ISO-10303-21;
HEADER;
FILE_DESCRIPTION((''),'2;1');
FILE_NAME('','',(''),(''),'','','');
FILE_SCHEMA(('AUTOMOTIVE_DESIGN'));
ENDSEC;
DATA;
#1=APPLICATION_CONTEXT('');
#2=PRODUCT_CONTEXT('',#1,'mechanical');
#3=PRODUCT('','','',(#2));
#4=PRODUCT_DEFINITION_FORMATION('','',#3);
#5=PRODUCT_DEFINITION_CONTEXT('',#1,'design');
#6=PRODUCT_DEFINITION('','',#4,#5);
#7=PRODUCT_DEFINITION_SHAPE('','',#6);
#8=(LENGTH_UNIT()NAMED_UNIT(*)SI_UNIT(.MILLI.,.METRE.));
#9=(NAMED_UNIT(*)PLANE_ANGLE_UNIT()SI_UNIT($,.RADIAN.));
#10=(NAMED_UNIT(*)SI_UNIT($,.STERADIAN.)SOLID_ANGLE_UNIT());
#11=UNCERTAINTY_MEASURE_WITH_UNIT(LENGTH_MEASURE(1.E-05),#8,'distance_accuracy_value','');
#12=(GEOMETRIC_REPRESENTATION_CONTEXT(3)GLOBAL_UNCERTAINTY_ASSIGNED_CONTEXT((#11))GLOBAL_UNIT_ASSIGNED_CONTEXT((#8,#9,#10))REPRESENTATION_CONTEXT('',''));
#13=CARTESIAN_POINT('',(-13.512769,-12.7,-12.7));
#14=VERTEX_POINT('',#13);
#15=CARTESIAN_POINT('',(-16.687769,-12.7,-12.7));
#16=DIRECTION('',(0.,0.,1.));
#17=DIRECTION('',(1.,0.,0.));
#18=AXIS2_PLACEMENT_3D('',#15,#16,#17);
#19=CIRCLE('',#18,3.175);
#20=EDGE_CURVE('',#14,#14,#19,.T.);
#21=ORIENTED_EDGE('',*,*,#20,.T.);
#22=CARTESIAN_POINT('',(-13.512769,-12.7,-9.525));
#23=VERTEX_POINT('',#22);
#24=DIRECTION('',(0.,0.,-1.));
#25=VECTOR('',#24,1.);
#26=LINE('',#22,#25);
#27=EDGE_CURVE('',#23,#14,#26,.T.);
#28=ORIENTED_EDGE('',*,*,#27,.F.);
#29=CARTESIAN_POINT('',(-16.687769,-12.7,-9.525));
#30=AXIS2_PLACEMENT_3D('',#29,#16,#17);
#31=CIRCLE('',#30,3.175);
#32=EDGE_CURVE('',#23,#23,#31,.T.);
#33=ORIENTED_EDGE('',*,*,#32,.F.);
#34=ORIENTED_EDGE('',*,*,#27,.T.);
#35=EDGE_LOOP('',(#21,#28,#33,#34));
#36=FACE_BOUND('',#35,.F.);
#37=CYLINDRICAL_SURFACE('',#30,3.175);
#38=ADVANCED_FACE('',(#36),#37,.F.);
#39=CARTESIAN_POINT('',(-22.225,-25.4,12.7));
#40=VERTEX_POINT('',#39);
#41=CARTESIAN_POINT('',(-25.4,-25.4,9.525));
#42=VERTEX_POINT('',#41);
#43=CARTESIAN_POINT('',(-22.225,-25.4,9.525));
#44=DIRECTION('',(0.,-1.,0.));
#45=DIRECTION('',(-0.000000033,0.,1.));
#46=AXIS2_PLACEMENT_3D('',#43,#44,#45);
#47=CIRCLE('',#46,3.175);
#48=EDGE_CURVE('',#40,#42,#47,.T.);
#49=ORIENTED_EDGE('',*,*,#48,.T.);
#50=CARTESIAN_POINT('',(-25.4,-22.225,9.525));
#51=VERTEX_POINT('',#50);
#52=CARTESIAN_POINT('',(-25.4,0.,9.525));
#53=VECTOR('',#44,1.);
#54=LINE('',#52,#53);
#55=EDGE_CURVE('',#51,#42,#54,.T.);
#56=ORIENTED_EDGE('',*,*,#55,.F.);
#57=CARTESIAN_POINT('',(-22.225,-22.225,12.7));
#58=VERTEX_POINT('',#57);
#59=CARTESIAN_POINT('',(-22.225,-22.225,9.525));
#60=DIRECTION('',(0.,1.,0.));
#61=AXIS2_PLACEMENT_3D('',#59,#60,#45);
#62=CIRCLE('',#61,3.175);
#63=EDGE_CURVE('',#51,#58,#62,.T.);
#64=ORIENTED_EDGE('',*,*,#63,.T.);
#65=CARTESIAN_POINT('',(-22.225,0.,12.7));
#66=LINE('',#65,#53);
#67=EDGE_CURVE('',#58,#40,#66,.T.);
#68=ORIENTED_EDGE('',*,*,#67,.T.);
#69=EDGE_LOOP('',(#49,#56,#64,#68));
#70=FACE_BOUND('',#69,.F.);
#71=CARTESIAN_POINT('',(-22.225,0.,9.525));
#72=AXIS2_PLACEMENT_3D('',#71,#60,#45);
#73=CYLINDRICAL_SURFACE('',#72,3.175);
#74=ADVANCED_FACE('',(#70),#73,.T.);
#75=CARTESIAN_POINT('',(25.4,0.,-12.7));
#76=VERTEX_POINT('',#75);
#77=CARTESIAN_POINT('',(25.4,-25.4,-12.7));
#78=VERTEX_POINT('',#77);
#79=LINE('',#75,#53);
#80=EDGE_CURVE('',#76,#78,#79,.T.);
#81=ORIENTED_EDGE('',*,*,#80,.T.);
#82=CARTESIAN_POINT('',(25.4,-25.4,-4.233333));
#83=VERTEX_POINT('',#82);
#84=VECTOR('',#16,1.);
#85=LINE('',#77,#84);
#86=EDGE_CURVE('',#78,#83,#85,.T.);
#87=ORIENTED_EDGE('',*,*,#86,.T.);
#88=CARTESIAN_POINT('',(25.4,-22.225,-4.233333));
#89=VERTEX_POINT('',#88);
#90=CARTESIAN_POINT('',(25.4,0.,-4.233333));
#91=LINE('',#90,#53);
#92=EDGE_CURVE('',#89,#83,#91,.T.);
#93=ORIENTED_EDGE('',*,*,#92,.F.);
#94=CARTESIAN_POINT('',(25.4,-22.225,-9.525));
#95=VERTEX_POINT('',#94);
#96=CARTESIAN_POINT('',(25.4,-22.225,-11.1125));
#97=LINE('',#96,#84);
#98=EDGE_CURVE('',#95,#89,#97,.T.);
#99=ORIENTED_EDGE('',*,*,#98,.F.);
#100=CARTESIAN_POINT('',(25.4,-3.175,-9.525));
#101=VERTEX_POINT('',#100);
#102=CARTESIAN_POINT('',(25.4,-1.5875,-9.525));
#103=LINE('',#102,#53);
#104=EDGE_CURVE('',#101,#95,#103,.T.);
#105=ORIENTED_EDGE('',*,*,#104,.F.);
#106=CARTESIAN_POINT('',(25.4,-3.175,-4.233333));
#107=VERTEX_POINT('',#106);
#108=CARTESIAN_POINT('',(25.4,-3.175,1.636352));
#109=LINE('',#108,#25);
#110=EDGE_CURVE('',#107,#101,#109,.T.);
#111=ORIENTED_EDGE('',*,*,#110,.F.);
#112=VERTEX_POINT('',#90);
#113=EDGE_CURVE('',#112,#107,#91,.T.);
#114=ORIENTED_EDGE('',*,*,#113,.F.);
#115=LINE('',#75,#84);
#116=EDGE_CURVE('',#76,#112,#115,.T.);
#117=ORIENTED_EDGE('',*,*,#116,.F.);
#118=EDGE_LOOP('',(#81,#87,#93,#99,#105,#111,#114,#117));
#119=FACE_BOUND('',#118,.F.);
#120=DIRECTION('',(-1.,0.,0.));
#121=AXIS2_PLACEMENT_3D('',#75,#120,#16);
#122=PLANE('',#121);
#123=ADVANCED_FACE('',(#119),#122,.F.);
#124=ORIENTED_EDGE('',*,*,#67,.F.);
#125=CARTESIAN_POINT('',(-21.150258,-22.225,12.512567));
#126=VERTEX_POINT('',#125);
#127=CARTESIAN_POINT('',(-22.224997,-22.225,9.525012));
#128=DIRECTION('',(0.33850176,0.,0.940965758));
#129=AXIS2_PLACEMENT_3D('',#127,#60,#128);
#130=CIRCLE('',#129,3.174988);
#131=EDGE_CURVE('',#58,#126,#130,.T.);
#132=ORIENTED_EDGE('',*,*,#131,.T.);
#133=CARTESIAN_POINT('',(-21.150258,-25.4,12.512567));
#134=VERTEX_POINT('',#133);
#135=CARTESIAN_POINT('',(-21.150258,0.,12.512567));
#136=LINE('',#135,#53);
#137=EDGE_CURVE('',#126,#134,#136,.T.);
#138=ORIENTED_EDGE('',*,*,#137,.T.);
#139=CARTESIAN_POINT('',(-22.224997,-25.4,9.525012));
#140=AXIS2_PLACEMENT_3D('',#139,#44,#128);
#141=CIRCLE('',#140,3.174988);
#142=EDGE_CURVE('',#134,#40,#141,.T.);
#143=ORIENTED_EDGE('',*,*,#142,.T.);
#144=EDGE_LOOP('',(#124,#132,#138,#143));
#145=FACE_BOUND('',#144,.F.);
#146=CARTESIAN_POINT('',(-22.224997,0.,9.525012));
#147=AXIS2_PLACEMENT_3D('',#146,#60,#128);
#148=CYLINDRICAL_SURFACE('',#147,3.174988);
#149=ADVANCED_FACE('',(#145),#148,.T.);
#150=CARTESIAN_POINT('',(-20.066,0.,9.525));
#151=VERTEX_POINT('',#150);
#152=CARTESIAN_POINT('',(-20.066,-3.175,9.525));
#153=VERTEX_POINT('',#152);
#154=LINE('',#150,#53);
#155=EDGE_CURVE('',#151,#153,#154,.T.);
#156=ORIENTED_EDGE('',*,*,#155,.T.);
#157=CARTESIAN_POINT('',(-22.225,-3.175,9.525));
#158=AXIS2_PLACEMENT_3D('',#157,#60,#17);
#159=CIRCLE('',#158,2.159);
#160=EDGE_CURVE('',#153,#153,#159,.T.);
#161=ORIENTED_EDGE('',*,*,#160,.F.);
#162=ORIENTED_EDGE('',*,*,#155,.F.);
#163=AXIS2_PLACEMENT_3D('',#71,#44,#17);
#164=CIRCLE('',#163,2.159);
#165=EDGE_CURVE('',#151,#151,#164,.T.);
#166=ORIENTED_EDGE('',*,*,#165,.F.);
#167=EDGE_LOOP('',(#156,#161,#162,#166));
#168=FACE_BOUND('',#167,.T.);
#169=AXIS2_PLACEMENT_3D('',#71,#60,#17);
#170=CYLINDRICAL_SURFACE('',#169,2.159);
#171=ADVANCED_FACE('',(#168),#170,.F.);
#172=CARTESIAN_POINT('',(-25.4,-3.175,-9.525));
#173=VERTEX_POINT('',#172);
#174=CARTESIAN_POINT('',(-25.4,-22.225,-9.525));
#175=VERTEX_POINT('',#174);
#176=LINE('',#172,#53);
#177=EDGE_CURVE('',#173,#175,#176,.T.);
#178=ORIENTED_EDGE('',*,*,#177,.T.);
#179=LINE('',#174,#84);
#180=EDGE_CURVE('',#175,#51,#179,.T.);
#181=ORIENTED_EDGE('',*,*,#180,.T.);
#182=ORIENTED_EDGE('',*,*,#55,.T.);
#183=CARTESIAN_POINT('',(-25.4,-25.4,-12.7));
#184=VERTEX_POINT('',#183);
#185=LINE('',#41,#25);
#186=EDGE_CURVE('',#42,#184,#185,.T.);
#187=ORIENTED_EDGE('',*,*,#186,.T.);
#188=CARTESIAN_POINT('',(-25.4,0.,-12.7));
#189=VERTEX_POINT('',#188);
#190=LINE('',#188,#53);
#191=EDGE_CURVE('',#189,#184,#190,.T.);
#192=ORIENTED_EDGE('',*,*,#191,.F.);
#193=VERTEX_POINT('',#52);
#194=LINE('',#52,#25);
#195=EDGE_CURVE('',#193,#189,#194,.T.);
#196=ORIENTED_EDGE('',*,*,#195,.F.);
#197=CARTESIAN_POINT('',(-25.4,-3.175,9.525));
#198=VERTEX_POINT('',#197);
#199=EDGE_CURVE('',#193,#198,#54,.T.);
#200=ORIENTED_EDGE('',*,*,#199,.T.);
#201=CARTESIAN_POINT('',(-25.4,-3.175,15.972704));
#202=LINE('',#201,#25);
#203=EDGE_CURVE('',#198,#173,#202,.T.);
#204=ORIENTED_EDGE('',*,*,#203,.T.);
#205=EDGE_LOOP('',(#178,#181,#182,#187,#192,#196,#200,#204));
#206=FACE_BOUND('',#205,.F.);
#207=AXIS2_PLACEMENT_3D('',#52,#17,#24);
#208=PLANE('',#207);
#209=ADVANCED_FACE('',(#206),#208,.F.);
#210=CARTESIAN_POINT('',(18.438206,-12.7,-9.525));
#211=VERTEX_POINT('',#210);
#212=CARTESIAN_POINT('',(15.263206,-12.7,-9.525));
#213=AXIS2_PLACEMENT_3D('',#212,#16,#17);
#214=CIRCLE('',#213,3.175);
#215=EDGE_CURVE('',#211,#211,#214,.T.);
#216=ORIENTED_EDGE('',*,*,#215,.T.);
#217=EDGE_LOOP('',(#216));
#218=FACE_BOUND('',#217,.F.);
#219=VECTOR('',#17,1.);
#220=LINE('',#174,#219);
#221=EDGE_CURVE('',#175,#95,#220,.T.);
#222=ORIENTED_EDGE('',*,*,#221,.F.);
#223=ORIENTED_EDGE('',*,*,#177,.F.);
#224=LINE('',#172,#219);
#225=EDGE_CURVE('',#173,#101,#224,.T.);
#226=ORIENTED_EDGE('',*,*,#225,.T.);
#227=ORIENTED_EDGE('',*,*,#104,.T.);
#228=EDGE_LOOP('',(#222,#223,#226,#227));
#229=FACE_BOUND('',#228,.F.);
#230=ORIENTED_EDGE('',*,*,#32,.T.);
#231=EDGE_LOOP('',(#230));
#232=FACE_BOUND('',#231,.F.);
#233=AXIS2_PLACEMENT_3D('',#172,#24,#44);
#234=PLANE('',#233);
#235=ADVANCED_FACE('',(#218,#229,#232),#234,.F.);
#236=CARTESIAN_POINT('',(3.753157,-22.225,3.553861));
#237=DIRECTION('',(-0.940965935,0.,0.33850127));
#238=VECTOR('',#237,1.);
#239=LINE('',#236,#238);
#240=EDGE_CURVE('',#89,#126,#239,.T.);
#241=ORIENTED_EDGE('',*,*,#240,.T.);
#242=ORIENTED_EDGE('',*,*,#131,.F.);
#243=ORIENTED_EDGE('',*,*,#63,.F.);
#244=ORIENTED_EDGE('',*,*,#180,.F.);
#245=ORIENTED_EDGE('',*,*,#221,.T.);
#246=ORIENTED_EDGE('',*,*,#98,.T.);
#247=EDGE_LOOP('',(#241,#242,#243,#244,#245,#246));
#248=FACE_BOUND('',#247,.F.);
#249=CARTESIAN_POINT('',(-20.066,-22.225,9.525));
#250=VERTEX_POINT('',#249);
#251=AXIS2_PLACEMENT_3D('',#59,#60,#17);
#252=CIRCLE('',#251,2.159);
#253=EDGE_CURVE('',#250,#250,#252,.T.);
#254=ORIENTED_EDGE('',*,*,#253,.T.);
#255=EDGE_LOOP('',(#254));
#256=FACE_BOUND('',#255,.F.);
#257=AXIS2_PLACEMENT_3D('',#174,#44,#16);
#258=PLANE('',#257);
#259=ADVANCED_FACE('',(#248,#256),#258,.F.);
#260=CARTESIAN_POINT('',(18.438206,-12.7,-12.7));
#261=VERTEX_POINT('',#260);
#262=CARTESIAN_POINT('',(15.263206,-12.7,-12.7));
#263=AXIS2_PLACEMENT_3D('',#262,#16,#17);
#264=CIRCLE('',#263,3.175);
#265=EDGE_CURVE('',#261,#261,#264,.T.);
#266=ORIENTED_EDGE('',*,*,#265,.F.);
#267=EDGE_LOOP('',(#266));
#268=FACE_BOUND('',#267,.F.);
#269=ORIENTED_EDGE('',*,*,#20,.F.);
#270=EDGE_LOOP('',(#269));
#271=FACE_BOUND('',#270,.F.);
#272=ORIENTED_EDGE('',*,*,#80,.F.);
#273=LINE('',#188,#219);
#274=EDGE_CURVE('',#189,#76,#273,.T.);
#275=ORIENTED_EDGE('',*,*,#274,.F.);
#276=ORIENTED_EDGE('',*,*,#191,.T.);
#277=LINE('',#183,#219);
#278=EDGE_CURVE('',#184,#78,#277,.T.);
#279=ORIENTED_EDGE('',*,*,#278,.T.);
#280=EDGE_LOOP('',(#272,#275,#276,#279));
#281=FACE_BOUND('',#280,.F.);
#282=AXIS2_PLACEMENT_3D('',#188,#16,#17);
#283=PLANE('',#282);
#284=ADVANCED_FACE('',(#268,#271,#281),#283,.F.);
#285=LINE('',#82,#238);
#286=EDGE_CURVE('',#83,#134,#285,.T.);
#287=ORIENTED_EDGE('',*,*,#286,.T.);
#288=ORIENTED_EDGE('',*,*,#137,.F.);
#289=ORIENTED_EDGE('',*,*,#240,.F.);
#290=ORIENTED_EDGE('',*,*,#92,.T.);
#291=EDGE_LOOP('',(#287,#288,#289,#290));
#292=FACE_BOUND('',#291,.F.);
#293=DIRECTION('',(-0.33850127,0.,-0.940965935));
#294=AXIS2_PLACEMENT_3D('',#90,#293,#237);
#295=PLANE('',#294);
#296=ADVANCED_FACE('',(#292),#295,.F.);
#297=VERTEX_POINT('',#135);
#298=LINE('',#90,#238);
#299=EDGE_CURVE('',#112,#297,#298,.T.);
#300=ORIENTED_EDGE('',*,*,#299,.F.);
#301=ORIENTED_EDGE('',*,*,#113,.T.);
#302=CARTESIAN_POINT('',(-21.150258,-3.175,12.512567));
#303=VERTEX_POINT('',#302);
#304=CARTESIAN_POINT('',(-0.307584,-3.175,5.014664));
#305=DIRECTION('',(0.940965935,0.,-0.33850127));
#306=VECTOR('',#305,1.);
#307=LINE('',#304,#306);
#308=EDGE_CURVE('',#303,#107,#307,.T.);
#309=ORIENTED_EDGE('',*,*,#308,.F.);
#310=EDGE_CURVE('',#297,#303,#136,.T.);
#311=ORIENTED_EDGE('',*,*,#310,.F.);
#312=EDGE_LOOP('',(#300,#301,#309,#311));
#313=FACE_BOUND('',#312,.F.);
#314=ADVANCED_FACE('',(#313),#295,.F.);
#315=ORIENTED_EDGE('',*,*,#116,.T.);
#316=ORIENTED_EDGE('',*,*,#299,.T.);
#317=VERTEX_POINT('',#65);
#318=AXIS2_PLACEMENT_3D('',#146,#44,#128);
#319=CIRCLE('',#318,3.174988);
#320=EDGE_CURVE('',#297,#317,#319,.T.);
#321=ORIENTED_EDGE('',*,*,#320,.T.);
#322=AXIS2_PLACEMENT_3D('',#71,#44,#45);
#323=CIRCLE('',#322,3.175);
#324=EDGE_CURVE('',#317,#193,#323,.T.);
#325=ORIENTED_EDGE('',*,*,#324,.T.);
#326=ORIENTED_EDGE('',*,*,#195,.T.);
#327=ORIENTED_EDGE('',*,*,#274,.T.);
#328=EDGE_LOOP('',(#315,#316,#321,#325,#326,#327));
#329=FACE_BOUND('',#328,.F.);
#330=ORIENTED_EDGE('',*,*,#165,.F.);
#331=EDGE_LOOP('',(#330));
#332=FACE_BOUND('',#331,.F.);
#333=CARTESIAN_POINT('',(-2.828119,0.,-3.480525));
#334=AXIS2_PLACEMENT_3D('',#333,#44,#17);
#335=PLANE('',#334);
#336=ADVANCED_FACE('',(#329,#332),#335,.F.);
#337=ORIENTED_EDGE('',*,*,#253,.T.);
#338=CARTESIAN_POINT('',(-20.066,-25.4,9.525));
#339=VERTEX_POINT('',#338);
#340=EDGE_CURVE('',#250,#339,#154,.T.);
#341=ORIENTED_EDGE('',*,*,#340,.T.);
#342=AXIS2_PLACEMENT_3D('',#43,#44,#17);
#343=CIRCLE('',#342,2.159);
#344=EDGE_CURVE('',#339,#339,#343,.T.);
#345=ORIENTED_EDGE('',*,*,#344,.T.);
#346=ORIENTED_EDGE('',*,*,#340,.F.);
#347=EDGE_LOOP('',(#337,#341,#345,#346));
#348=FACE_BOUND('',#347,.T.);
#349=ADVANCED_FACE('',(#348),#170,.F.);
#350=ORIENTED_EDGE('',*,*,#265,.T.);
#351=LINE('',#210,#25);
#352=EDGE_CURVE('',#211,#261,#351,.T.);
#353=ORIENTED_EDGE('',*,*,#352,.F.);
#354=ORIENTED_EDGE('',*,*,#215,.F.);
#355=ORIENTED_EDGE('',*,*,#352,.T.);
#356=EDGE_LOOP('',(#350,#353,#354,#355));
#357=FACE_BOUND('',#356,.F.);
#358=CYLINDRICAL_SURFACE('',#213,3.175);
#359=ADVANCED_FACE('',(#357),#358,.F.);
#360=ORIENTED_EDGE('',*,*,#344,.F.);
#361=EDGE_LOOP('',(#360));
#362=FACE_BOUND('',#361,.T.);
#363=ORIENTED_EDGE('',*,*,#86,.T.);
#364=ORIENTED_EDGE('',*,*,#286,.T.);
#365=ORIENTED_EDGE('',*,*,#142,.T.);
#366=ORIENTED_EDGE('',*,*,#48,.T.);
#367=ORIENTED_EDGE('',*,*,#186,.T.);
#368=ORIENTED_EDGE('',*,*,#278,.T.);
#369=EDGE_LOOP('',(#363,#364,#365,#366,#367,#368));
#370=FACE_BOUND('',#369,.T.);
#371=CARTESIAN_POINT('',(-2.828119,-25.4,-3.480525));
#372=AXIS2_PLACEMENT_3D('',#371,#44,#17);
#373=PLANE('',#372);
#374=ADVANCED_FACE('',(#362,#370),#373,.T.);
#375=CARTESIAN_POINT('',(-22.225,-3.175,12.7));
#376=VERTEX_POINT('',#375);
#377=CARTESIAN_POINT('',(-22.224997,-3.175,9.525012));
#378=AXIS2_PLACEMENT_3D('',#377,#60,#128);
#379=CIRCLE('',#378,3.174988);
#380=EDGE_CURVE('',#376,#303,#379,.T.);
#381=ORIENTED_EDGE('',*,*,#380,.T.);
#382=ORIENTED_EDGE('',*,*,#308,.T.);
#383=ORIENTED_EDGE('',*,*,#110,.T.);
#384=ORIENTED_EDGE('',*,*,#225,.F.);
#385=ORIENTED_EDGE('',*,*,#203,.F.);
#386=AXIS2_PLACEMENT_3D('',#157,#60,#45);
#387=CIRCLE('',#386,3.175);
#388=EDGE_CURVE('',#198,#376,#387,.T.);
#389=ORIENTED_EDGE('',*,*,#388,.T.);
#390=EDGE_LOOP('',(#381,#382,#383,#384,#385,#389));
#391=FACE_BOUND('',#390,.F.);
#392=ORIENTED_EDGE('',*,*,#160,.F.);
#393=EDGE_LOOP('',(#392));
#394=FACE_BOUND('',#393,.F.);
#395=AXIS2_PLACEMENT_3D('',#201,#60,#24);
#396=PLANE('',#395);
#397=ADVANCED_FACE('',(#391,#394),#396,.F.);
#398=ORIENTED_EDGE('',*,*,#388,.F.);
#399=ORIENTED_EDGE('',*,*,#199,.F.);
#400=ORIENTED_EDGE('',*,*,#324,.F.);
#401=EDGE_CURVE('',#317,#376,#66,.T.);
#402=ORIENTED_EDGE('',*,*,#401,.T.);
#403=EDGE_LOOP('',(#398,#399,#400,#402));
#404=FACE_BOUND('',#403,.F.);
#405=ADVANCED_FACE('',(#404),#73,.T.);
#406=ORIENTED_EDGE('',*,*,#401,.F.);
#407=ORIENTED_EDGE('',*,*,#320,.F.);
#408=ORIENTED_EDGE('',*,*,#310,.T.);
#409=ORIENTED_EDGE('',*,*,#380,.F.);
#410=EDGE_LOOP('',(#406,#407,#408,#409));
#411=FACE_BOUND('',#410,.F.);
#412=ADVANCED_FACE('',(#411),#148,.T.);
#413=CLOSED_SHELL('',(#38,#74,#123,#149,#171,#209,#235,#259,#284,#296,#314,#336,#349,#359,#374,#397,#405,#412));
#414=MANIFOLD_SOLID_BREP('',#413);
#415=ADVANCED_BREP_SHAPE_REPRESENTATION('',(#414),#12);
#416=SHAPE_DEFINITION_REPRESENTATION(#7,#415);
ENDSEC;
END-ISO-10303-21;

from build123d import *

# Parameters (mm, degrees)
F0_R     = 2.159
F1_DEPTH = 25.4
F3_DEPTH = 50.801
F4_R     = 3.175
F5_DEPTH = 25.4


with BuildPart() as f1:
    # F0 (on Front) → F1 (new body)
    with BuildSketch(Plane.XZ):
        with BuildLine():
            ThreePointArc((-21.150258, 12.512567), (-21.679518, 12.652791), (-22.225, 12.7))
            ThreePointArc((-22.225, 12.7), (-24.470064, 11.770064), (-25.4, 9.525))
            Line((-25.4, 9.525), (-25.4, -12.7))
            Line((-25.4, -12.7), (25.4, -12.7))
            Line((25.4, -12.7), (25.4, -4.233333))
            Line((25.4, -4.233333), (-21.150258, 12.512567))
        make_face()
        with Locations((-22.225, 9.525)):
            Circle(F0_R, mode=Mode.SUBTRACT)
    extrude(amount=F1_DEPTH)

    # F2 (on face) → F3 (cut, through all)
    with BuildSketch(Plane(origin=(-25.4, 0, 0), x_dir=(0, -1, 0), z_dir=(-1, 0, 0))):
        Polygon((3.175, 15.972704), (3.175, -9.525), (22.225, -9.525), (22.225, 16.476365), align=None)
    extrude(amount=-F3_DEPTH, mode=Mode.SUBTRACT)

    # F4 (on face) → F5 (cut)
    with BuildSketch(Plane.XY.offset(-9.525)):
        with Locations((-16.687769, -12.7)):
            Circle(F4_R)
        with Locations((15.263206, -12.7)):
            Circle(F4_R)
    extrude(amount=-F5_DEPTH, mode=Mode.SUBTRACT)


solid = f1.part
